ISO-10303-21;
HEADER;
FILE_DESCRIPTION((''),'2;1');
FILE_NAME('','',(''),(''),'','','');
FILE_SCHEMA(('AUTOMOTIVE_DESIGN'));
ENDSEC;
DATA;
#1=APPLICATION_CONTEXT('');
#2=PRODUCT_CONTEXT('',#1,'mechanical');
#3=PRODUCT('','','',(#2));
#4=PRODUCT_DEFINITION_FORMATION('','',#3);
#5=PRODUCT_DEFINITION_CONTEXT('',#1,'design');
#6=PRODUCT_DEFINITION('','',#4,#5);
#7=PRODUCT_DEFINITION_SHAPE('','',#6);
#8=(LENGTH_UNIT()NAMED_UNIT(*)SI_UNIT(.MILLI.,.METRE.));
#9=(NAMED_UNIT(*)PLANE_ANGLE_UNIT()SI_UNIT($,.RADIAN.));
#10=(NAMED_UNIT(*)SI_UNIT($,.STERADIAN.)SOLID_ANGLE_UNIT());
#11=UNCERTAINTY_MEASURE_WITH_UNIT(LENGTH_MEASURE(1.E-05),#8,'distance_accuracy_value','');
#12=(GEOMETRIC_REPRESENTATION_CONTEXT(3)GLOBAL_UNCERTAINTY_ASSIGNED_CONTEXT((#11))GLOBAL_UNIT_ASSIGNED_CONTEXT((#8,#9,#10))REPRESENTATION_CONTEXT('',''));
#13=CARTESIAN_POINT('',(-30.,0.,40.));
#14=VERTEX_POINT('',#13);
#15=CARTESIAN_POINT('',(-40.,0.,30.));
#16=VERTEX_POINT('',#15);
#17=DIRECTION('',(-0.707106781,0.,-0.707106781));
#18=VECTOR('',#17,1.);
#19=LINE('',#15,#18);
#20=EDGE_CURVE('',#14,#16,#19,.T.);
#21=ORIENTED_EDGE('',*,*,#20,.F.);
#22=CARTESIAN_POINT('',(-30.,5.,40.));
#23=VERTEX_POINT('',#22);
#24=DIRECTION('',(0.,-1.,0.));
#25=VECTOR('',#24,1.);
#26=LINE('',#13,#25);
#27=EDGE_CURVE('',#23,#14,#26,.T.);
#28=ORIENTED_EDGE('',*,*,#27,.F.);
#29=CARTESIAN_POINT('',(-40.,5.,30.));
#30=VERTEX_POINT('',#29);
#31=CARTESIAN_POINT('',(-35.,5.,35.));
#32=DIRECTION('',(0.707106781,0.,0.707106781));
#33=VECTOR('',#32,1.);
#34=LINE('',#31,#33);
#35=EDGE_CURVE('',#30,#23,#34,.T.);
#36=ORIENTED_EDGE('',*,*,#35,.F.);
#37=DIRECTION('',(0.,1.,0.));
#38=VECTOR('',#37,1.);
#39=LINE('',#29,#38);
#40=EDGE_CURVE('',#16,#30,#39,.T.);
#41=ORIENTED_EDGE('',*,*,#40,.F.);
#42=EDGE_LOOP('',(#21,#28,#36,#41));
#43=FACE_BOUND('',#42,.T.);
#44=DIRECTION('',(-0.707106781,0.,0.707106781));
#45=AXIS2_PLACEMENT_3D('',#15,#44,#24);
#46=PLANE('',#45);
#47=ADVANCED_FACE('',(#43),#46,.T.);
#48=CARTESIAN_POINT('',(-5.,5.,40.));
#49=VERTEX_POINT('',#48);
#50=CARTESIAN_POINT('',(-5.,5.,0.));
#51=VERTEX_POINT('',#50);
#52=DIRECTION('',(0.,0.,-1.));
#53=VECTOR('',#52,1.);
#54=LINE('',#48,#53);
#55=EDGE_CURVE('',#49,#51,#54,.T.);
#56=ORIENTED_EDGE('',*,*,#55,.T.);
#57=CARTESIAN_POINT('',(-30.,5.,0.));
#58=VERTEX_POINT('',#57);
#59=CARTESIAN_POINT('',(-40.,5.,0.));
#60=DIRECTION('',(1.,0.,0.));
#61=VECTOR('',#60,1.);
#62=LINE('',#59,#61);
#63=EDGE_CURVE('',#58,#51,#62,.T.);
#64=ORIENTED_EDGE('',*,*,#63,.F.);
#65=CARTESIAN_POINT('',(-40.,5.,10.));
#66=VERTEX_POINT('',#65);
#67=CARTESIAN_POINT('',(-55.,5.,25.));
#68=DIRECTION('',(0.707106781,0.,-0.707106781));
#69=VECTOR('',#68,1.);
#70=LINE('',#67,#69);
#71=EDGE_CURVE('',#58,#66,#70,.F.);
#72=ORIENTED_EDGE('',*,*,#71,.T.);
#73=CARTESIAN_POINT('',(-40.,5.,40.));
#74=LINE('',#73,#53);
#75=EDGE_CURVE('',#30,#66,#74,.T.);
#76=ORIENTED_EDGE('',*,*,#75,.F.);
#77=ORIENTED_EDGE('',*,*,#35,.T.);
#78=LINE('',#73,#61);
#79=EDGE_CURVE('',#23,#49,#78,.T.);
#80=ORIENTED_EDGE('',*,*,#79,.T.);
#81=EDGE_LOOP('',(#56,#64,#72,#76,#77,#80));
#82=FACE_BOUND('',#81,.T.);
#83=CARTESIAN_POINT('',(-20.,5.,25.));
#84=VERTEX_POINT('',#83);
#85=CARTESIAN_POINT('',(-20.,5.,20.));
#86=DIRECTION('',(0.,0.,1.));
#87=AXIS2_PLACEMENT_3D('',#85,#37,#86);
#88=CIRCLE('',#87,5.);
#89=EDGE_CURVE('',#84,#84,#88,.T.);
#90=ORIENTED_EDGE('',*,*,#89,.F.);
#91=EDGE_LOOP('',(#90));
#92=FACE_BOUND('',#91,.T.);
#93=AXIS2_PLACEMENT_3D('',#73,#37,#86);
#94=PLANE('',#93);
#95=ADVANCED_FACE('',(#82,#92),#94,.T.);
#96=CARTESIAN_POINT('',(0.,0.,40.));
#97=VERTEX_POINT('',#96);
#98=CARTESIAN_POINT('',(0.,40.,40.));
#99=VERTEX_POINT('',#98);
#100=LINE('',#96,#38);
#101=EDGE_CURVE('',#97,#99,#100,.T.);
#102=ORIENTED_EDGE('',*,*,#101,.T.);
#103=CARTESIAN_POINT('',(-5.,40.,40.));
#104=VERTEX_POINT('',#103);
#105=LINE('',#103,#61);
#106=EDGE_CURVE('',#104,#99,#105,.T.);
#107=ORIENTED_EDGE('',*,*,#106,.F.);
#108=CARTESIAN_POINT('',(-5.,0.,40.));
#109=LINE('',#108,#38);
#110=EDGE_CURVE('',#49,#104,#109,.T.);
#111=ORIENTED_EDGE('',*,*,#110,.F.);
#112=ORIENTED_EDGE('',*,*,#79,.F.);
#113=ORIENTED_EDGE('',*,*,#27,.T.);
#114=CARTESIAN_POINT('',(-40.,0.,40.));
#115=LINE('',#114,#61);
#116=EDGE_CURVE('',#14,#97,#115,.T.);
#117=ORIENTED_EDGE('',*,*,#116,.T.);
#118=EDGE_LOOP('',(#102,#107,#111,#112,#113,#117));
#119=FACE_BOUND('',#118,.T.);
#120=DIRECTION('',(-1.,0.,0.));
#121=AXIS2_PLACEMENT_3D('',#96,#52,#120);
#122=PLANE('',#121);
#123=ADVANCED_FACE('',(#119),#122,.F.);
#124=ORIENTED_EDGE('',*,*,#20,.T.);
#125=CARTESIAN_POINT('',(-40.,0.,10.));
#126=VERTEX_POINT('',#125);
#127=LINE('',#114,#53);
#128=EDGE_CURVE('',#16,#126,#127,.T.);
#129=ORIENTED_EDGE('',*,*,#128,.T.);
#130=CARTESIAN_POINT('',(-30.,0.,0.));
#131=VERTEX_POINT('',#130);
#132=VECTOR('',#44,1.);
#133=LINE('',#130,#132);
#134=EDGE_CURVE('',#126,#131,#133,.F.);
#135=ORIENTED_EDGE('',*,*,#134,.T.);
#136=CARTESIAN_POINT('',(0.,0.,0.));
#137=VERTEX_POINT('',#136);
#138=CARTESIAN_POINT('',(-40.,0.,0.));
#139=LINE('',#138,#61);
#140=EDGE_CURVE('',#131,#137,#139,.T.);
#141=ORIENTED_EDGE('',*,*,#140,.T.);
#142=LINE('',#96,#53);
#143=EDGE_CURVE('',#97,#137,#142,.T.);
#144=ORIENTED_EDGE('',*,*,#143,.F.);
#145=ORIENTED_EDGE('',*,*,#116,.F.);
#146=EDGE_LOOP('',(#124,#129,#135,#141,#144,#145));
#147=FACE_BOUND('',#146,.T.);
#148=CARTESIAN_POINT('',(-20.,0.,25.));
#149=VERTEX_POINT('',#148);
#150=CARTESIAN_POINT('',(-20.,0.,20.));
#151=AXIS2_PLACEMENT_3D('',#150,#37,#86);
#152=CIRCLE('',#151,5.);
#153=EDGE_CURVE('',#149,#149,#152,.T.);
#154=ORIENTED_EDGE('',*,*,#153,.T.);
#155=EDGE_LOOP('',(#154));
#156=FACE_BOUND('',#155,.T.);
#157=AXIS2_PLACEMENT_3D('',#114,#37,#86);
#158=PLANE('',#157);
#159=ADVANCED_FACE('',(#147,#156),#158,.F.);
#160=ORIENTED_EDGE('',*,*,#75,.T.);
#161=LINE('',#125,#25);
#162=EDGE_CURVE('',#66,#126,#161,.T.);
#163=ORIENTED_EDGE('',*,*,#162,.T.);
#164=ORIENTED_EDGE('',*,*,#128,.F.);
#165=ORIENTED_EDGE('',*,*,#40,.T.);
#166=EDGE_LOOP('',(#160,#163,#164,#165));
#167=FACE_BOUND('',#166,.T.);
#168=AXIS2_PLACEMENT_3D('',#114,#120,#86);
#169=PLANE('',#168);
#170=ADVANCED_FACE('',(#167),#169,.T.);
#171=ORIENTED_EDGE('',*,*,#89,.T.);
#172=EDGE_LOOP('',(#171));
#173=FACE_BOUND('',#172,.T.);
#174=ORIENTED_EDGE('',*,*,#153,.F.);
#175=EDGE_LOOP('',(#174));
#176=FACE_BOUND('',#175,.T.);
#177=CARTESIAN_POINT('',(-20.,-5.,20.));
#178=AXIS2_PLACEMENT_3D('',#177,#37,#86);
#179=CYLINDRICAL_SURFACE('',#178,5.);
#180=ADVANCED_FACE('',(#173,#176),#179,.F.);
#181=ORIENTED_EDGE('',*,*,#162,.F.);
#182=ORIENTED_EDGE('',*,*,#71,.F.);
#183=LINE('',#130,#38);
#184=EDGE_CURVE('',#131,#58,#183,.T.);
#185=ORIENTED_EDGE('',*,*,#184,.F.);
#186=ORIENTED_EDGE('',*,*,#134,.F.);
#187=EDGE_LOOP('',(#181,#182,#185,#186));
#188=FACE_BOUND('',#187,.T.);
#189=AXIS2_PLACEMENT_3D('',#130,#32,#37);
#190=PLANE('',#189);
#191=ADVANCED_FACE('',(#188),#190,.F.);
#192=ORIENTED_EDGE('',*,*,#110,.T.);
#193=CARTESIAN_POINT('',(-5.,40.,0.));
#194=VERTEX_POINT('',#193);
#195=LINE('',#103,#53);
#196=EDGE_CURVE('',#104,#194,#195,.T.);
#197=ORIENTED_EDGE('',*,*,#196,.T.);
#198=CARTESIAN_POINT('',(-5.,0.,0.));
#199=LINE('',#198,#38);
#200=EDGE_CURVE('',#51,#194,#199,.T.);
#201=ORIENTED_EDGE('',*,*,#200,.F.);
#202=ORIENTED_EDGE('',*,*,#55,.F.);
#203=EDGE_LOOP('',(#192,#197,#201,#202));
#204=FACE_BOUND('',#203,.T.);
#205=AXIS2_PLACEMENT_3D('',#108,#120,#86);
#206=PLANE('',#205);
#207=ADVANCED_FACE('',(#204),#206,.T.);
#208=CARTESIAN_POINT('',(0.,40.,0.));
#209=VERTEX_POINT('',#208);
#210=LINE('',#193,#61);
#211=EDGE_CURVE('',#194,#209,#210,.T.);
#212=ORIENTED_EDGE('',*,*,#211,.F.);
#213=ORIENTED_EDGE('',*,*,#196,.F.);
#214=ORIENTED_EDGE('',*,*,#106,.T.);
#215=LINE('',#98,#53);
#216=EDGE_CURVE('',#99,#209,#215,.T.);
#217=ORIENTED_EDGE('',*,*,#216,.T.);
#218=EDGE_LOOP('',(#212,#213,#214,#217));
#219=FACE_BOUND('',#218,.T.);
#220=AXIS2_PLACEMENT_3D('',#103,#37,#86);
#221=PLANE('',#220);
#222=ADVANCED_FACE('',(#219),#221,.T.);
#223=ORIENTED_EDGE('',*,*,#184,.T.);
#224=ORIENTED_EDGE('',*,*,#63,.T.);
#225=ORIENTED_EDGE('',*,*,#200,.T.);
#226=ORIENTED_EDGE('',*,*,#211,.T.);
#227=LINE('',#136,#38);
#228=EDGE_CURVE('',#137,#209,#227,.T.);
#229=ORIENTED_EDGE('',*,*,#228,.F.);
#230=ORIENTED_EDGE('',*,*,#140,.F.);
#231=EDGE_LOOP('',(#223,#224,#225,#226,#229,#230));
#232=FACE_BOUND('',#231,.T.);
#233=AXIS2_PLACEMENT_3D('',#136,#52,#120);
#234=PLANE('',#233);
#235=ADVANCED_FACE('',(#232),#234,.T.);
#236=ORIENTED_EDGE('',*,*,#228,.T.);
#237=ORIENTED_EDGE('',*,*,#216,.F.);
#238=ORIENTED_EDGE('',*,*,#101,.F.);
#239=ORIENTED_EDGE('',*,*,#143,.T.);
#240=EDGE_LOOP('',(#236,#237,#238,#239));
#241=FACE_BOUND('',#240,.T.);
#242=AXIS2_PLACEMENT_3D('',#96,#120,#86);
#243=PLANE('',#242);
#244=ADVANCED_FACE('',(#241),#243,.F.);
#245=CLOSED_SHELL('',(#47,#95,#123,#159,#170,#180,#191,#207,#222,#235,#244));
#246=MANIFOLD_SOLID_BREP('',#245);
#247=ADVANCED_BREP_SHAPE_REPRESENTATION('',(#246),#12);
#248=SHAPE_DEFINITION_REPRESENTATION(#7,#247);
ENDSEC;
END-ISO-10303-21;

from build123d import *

# Parameters (mm, degrees)
EXTRUDE_THIN1_DEPTH = 40
CHAMFER1_SIZE       = 10
SKETCH2_R           = 5
CUT_EXTRUDE1_DEPTH  = 10


with BuildPart() as part:
    # Sketch1 → Extrude-Thin1 (new body)
    with BuildSketch(Plane.XY):
        Polygon((-40, 0), (0, 0), (0, 40), (-5, 40), (-5, 5), (-40, 5), align=None)
    extrude(amount=EXTRUDE_THIN1_DEPTH)

    # Chamfer1
    chamfer1_edges = [part.edges().sort_by_distance(p)[0] for p in [
        (-40, 2.5, 40),
        (-40, 2.5, 0),
    ]]
    chamfer(chamfer1_edges, length=CHAMFER1_SIZE)

    # Sketch2 → Cut-Extrude1 (cut)
    with BuildSketch(Plane(origin=(0, 5, 0), x_dir=(1, 0, 0), z_dir=(0, 1, 0))):
        with Locations(Location((-20, -20, 0), (0, 0, 270))):
            Circle(SKETCH2_R)
    extrude(amount=-CUT_EXTRUDE1_DEPTH, mode=Mode.SUBTRACT)


solid = part.part
